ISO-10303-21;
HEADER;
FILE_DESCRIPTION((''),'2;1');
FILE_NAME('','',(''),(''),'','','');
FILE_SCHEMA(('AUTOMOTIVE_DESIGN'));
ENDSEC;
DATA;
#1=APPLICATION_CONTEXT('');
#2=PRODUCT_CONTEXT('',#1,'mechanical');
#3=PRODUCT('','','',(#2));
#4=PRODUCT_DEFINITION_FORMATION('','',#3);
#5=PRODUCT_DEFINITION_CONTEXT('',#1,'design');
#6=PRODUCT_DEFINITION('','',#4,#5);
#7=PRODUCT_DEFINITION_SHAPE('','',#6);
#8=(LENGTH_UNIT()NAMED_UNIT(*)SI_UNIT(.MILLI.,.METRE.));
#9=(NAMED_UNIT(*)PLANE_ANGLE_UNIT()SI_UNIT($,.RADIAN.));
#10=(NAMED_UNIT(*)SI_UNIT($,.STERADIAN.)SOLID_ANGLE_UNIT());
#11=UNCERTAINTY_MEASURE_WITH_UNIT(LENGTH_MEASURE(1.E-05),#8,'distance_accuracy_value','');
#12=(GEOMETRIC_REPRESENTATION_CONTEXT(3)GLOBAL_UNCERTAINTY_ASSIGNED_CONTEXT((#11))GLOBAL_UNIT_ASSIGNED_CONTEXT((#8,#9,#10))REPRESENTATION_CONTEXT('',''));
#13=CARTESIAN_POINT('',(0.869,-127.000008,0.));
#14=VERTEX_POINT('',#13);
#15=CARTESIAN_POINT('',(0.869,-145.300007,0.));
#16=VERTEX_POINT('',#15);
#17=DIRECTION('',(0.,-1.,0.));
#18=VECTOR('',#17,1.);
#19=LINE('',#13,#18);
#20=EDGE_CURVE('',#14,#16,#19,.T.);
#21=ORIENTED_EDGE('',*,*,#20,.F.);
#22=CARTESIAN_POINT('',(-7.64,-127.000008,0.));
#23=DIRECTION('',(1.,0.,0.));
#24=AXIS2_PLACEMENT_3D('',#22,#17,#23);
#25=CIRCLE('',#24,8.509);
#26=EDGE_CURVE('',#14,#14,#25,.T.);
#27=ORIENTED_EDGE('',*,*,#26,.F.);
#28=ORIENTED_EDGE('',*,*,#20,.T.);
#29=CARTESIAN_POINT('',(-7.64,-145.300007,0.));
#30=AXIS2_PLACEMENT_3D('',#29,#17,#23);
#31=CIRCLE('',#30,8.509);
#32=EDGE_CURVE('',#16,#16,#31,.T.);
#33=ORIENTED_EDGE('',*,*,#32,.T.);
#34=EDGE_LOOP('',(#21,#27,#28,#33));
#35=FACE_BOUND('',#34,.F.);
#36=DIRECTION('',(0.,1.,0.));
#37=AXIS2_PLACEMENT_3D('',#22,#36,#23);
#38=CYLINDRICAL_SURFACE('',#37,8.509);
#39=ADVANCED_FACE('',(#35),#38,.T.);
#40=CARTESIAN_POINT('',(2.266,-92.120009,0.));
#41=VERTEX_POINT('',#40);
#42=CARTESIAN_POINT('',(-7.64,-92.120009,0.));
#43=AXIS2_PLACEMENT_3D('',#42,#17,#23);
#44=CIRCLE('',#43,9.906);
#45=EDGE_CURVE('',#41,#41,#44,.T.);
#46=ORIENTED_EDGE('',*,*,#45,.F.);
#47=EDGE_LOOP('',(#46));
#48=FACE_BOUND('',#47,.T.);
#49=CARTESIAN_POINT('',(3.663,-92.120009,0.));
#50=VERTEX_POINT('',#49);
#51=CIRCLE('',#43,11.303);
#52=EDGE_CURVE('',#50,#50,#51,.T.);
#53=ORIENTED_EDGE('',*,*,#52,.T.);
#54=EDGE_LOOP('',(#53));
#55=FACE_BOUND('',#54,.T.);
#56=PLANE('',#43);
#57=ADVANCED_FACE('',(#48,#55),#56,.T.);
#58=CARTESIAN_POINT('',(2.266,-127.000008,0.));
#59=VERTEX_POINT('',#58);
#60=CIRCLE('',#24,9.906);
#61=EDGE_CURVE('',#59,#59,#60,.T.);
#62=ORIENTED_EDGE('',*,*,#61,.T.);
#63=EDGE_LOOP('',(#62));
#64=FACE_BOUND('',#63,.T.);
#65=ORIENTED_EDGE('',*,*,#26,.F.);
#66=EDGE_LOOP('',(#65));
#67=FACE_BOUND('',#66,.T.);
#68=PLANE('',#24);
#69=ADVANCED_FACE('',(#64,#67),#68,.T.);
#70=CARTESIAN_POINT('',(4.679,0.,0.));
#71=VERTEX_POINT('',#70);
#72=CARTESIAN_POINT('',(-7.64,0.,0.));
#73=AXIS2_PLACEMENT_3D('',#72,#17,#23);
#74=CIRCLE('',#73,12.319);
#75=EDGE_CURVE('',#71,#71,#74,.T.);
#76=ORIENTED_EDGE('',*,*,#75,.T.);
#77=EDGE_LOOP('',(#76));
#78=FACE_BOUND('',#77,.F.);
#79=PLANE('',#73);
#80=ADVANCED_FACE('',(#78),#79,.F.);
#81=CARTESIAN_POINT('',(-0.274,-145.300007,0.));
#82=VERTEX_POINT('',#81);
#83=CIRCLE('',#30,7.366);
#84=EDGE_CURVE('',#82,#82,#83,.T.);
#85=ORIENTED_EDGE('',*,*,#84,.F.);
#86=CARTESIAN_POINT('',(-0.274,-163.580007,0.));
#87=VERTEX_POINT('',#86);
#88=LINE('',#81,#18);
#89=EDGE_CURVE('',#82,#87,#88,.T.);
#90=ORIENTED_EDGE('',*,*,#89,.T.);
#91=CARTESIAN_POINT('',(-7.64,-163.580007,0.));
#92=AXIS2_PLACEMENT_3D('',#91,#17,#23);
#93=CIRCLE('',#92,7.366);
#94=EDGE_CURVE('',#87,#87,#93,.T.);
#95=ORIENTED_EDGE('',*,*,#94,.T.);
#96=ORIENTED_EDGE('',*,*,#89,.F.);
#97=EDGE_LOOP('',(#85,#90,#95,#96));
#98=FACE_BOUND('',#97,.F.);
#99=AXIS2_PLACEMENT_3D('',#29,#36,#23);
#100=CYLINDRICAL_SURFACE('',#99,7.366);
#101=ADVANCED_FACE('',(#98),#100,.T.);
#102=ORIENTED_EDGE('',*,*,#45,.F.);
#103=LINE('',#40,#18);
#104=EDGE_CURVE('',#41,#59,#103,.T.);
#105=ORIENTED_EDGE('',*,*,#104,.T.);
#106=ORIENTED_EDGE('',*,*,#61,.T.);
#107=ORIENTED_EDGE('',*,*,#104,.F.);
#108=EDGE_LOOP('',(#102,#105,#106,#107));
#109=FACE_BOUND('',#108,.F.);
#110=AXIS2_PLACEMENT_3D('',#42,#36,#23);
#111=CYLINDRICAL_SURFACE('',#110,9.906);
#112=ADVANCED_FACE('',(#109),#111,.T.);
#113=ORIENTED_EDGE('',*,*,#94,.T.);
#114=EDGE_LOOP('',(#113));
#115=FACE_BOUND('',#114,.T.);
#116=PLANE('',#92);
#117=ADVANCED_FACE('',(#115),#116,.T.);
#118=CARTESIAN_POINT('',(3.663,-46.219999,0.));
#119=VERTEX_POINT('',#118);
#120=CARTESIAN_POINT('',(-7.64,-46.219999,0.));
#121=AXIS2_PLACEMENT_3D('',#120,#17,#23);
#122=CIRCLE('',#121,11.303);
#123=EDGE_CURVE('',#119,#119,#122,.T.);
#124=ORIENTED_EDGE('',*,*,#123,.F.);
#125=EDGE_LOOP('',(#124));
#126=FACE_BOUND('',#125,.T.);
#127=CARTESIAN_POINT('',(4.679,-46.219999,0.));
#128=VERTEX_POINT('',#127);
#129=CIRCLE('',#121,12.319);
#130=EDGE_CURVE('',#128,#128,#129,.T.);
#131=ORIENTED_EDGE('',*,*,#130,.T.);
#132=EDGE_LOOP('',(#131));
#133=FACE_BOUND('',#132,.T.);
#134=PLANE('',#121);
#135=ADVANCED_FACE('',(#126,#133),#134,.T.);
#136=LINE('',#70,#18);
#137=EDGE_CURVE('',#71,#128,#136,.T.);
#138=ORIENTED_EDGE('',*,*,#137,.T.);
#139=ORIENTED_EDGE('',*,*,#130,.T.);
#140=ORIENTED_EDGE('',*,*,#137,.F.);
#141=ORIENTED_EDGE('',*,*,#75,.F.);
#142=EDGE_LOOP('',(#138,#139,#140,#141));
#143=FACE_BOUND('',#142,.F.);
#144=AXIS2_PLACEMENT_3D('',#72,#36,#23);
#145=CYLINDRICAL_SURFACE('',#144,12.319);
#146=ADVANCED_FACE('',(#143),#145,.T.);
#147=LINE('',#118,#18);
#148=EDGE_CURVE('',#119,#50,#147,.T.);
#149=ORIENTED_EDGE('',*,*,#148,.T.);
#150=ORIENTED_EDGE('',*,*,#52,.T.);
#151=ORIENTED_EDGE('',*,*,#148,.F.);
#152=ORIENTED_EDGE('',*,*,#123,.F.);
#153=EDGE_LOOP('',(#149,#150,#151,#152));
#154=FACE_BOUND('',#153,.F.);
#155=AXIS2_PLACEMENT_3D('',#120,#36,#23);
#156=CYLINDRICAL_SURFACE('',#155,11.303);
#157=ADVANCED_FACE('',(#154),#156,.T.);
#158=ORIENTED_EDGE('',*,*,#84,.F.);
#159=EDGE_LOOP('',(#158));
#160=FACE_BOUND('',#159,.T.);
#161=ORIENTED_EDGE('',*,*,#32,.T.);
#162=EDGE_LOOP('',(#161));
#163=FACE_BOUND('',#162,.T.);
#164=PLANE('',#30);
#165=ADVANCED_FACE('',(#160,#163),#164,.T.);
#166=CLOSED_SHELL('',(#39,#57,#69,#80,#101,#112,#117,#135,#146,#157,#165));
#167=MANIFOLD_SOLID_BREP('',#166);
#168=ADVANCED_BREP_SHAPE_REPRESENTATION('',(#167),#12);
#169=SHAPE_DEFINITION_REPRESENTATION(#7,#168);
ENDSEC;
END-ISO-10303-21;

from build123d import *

# Parameters (mm, degrees)
F0_R     = 12.319
F1_DEPTH = 46.219999
F2_R     = 11.303
F3_DEPTH = 45.90001
F4_R     = 9.906
F5_DEPTH = 34.879999
F6_R     = 8.509
F7_DEPTH = 18.299999
F8_R     = 7.366
F9_DEPTH = 18.28


with BuildPart() as f1:
    # F0 (on Front) → F1 (new body)
    with BuildSketch(Plane.XZ):
        with Locations((-7.64, 0)):
            Circle(F0_R)
    extrude(amount=F1_DEPTH)

    # F2 (on face) → F3 (join)
    with BuildSketch(Plane.XZ.offset(46.219999)):
        with Locations((-7.64, 0)):
            Circle(F2_R)
    extrude(amount=F3_DEPTH)

    # F4 (on face) → F5 (join)
    with BuildSketch(Plane.XZ.offset(92.120009)):
        with Locations((-7.64, 0)):
            Circle(F4_R)
    extrude(amount=F5_DEPTH)

    # F6 (on face) → F7 (join)
    with BuildSketch(Plane.XZ.offset(127.000008)):
        with Locations((-7.64, 0)):
            Circle(F6_R)
    extrude(amount=F7_DEPTH)

    # F8 (on face) → F9 (join)
    with BuildSketch(Plane.XZ.offset(145.300007)):
        with Locations((-7.64, 0)):
            Circle(F8_R)
    extrude(amount=F9_DEPTH)


solid = f1.part
